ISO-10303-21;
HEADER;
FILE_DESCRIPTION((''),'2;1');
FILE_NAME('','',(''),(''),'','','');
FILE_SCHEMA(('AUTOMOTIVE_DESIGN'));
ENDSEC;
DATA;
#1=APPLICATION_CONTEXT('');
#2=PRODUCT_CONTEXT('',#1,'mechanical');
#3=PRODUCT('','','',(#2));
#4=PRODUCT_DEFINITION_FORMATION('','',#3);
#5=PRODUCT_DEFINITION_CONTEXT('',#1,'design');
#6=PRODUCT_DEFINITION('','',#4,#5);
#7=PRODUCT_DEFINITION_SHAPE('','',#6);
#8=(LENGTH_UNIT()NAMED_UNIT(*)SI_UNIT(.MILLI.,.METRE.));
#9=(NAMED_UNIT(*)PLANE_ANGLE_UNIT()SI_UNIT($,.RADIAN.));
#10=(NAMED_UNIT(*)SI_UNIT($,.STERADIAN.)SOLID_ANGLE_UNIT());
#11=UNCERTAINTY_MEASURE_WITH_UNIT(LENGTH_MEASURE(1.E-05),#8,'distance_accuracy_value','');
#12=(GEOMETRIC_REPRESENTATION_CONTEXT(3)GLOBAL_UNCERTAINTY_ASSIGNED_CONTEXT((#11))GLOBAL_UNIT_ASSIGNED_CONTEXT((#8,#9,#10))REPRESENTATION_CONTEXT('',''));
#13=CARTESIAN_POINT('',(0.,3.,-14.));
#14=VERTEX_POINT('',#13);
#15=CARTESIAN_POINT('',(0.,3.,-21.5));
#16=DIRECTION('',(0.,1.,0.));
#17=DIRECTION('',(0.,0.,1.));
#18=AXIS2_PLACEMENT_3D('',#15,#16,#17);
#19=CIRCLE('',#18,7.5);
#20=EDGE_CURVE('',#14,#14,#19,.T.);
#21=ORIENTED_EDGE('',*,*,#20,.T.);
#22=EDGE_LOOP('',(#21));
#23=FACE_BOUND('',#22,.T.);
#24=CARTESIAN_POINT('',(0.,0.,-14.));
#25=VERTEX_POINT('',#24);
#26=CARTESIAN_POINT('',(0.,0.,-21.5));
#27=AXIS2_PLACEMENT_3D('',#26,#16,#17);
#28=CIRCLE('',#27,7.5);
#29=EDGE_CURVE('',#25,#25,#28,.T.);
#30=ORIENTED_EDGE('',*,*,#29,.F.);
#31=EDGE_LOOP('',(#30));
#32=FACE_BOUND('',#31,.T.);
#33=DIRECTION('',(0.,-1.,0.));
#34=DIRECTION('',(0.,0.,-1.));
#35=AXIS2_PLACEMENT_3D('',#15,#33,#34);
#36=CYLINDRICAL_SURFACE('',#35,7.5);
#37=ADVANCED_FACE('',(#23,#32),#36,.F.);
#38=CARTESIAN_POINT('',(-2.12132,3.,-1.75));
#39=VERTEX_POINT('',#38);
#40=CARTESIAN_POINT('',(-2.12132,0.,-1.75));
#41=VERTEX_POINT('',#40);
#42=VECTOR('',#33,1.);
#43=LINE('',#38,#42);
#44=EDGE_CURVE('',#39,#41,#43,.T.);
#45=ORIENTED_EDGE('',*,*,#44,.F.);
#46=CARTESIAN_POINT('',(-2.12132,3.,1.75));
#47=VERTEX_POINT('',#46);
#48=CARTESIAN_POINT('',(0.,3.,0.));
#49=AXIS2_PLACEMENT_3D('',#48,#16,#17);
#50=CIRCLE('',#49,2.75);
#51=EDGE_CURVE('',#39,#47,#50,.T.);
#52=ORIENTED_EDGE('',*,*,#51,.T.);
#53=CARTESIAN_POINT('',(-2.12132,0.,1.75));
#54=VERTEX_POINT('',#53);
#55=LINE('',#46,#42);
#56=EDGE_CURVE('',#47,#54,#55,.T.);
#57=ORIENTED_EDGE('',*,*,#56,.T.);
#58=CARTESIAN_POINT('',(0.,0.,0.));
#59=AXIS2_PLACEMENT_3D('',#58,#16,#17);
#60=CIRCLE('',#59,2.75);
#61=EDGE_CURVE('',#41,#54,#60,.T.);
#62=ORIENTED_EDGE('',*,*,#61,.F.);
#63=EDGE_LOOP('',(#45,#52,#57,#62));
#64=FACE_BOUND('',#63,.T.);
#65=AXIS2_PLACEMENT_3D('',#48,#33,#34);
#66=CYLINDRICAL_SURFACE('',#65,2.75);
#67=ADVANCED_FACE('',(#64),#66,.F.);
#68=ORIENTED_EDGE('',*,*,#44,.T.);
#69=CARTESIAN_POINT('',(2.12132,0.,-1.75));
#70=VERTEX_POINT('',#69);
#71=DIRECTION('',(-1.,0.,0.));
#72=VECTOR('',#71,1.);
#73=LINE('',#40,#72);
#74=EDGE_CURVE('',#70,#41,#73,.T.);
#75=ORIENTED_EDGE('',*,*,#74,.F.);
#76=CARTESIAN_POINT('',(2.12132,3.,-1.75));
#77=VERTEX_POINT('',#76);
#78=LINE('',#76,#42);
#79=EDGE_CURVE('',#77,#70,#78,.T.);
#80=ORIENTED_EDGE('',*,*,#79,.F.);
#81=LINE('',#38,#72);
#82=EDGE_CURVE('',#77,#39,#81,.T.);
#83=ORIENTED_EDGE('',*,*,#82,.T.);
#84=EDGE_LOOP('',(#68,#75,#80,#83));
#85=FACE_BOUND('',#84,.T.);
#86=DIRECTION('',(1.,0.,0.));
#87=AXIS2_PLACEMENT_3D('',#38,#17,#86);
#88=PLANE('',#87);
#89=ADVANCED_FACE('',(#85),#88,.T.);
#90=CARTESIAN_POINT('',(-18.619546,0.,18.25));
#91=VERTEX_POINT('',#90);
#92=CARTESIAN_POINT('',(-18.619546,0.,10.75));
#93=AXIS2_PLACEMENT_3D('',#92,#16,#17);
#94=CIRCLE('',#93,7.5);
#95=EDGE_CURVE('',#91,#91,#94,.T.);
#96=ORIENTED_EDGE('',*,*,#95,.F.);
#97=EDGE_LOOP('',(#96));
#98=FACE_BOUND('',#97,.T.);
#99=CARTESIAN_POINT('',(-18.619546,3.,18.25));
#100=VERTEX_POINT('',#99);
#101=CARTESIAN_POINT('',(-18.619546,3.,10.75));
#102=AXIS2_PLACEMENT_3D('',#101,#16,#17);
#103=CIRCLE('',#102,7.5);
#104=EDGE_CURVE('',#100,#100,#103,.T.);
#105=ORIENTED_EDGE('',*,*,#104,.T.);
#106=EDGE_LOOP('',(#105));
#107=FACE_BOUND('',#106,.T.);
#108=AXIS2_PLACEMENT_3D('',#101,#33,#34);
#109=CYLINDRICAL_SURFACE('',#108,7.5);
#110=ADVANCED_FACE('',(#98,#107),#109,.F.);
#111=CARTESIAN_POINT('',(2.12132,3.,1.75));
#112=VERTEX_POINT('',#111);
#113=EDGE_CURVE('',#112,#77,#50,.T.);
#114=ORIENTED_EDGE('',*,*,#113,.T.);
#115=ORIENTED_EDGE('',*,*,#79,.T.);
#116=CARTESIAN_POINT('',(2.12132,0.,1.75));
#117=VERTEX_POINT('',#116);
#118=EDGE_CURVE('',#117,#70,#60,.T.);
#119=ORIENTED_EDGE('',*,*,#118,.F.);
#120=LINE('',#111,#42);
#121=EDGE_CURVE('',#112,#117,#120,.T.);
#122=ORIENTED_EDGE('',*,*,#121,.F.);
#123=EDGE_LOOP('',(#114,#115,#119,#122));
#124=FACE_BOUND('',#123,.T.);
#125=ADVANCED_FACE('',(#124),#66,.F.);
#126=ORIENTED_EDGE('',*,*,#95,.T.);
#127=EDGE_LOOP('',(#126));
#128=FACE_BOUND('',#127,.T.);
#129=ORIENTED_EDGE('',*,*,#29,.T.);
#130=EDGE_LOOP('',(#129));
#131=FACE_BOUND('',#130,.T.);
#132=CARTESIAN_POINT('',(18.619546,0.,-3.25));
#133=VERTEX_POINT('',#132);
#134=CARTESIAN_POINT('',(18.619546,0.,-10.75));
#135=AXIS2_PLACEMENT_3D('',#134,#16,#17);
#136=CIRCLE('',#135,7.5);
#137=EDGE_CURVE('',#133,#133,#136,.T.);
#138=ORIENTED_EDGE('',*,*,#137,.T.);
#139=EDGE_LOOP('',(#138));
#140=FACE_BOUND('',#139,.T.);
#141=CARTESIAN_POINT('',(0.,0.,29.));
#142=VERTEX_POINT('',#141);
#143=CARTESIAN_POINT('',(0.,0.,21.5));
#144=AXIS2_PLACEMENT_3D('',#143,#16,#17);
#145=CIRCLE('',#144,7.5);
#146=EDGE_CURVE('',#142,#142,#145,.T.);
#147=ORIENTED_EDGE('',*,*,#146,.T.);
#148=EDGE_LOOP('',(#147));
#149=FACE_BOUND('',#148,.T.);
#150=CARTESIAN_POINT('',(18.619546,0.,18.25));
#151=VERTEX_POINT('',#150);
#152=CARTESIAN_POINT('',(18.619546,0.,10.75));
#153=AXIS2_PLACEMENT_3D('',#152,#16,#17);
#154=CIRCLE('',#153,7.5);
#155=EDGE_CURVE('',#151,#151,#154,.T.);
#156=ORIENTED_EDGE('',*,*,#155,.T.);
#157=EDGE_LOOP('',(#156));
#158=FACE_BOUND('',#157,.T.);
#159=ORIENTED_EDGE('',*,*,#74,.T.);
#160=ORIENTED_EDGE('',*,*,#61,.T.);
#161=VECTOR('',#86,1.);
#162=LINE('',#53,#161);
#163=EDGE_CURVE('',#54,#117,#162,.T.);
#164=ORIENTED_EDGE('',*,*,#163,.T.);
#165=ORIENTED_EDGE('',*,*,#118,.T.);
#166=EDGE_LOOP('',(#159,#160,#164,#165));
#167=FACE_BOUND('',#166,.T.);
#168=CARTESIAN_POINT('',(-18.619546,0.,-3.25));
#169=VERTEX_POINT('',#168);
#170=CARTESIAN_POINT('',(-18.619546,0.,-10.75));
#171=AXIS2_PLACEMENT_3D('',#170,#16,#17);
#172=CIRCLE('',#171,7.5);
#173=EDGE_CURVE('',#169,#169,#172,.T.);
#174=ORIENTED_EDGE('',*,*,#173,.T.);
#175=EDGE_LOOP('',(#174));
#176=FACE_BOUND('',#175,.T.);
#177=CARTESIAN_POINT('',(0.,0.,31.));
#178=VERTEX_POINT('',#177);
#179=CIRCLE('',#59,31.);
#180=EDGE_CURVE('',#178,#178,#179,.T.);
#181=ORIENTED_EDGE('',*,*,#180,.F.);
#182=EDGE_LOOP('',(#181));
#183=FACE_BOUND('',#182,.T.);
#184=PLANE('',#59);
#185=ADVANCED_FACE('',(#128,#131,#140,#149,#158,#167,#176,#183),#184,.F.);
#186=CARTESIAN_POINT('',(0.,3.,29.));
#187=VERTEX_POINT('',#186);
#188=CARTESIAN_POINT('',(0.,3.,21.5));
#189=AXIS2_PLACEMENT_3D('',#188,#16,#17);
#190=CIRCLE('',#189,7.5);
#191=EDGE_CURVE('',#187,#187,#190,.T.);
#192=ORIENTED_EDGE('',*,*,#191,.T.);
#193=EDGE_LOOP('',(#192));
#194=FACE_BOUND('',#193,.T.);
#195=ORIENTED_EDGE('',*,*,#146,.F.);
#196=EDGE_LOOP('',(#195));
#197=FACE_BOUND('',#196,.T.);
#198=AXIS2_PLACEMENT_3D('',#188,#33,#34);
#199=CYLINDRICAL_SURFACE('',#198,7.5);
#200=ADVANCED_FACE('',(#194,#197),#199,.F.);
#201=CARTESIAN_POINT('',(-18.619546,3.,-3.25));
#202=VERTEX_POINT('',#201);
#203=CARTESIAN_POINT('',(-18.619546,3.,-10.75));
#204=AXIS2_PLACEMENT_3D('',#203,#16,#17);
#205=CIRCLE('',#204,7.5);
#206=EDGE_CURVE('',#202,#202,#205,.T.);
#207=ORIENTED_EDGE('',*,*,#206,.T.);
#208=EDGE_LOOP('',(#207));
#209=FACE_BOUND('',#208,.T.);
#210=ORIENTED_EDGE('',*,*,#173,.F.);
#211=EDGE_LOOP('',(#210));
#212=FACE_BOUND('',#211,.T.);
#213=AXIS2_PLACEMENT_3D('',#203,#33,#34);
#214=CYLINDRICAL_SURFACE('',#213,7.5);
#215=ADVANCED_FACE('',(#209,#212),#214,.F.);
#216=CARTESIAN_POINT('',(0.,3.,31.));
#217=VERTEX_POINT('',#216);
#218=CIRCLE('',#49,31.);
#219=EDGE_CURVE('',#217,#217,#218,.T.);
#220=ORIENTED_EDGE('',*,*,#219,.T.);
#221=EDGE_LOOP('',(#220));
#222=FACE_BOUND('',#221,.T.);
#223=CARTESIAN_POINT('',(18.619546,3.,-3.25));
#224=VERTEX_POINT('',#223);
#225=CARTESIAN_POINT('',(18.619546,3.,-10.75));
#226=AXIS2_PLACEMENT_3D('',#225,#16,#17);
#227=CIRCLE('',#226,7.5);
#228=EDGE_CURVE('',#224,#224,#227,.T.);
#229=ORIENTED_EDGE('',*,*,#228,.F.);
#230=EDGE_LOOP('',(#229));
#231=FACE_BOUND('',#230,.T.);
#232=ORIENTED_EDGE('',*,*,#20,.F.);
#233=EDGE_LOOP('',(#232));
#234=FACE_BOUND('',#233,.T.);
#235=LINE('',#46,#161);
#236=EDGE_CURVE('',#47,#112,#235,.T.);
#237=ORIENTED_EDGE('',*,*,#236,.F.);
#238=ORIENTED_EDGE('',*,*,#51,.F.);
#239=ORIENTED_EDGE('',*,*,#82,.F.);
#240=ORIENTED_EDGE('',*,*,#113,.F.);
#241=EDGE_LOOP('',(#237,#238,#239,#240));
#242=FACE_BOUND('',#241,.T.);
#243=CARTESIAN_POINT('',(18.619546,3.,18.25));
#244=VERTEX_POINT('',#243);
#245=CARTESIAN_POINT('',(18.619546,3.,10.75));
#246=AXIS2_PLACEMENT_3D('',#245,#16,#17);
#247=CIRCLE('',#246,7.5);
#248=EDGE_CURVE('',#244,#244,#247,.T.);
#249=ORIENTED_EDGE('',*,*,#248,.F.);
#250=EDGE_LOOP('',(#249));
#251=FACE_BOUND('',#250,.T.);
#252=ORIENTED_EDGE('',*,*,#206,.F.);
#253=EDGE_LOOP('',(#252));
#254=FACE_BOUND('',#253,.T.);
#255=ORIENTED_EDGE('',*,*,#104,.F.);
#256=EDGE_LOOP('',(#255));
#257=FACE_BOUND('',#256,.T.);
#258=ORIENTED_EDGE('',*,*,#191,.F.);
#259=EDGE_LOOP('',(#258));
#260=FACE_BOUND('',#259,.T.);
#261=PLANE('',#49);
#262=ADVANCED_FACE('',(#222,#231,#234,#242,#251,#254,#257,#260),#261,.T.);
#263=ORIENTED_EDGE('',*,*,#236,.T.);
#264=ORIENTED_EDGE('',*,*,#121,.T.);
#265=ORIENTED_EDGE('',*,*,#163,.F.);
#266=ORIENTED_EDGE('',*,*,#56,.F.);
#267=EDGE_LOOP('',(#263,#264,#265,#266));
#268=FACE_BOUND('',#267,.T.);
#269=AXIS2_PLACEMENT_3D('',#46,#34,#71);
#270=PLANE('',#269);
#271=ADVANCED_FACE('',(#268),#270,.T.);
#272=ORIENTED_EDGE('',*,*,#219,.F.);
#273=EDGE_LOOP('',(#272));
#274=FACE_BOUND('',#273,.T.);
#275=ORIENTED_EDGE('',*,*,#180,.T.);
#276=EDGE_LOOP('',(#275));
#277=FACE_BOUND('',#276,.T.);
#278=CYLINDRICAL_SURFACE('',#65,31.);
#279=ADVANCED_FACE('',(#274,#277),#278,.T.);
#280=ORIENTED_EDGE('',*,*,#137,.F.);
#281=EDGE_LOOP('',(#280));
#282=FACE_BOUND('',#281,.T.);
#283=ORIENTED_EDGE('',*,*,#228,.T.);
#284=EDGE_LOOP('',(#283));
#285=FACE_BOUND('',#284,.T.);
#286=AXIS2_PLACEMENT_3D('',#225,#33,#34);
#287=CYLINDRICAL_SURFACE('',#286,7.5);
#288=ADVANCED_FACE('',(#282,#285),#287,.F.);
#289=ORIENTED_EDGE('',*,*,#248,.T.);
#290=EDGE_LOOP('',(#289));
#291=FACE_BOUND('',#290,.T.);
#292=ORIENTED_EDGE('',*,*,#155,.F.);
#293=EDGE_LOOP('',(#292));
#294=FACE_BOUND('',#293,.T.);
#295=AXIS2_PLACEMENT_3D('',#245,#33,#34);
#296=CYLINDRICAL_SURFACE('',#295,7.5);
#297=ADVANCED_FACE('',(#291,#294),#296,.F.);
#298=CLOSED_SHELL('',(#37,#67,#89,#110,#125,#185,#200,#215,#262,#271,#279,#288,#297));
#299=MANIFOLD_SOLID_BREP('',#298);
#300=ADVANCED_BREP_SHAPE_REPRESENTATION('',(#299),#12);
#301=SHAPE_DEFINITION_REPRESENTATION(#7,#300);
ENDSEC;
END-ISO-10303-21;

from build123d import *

# Parameters (mm, degrees)
SKETCH2_R           = 31
SKETCH2_R_2         = 7.5
BOSS_EXTRUDE1_DEPTH = 3


with BuildPart() as part:
    # Sketch2 → Boss-Extrude1 (new body)
    with BuildSketch(Plane(origin=(0, 0, 0), x_dir=(1, 0, 0), z_dir=(0, 1, 0))):
        Circle(SKETCH2_R)
        with Locations((0, 21.5)):
            Circle(SKETCH2_R_2, mode=Mode.SUBTRACT)
        with Locations((18.619546181, 10.75)):
            Circle(SKETCH2_R_2, mode=Mode.SUBTRACT)
        with Locations((18.619546181, -10.75)):
            Circle(SKETCH2_R_2, mode=Mode.SUBTRACT)
        with Locations((0, -21.5)):
            Circle(SKETCH2_R_2, mode=Mode.SUBTRACT)
        with Locations((-18.619546181, -10.75)):
            Circle(SKETCH2_R_2, mode=Mode.SUBTRACT)
        with Locations((-18.619546181, 10.75)):
            Circle(SKETCH2_R_2, mode=Mode.SUBTRACT)
        with BuildLine():
            Line((-2.121320344, 1.75), (2.121320344, 1.75))
            ThreePointArc((2.121320344, 1.75), (2.75, 0), (2.121320344, -1.75))
            Line((2.121320344, -1.75), (-2.121320344, -1.75))
            ThreePointArc((-2.121320344, -1.75), (-2.75, 0), (-2.121320344, 1.75))
        make_face(mode=Mode.SUBTRACT)
    extrude(amount=BOSS_EXTRUDE1_DEPTH)


solid = part.part
